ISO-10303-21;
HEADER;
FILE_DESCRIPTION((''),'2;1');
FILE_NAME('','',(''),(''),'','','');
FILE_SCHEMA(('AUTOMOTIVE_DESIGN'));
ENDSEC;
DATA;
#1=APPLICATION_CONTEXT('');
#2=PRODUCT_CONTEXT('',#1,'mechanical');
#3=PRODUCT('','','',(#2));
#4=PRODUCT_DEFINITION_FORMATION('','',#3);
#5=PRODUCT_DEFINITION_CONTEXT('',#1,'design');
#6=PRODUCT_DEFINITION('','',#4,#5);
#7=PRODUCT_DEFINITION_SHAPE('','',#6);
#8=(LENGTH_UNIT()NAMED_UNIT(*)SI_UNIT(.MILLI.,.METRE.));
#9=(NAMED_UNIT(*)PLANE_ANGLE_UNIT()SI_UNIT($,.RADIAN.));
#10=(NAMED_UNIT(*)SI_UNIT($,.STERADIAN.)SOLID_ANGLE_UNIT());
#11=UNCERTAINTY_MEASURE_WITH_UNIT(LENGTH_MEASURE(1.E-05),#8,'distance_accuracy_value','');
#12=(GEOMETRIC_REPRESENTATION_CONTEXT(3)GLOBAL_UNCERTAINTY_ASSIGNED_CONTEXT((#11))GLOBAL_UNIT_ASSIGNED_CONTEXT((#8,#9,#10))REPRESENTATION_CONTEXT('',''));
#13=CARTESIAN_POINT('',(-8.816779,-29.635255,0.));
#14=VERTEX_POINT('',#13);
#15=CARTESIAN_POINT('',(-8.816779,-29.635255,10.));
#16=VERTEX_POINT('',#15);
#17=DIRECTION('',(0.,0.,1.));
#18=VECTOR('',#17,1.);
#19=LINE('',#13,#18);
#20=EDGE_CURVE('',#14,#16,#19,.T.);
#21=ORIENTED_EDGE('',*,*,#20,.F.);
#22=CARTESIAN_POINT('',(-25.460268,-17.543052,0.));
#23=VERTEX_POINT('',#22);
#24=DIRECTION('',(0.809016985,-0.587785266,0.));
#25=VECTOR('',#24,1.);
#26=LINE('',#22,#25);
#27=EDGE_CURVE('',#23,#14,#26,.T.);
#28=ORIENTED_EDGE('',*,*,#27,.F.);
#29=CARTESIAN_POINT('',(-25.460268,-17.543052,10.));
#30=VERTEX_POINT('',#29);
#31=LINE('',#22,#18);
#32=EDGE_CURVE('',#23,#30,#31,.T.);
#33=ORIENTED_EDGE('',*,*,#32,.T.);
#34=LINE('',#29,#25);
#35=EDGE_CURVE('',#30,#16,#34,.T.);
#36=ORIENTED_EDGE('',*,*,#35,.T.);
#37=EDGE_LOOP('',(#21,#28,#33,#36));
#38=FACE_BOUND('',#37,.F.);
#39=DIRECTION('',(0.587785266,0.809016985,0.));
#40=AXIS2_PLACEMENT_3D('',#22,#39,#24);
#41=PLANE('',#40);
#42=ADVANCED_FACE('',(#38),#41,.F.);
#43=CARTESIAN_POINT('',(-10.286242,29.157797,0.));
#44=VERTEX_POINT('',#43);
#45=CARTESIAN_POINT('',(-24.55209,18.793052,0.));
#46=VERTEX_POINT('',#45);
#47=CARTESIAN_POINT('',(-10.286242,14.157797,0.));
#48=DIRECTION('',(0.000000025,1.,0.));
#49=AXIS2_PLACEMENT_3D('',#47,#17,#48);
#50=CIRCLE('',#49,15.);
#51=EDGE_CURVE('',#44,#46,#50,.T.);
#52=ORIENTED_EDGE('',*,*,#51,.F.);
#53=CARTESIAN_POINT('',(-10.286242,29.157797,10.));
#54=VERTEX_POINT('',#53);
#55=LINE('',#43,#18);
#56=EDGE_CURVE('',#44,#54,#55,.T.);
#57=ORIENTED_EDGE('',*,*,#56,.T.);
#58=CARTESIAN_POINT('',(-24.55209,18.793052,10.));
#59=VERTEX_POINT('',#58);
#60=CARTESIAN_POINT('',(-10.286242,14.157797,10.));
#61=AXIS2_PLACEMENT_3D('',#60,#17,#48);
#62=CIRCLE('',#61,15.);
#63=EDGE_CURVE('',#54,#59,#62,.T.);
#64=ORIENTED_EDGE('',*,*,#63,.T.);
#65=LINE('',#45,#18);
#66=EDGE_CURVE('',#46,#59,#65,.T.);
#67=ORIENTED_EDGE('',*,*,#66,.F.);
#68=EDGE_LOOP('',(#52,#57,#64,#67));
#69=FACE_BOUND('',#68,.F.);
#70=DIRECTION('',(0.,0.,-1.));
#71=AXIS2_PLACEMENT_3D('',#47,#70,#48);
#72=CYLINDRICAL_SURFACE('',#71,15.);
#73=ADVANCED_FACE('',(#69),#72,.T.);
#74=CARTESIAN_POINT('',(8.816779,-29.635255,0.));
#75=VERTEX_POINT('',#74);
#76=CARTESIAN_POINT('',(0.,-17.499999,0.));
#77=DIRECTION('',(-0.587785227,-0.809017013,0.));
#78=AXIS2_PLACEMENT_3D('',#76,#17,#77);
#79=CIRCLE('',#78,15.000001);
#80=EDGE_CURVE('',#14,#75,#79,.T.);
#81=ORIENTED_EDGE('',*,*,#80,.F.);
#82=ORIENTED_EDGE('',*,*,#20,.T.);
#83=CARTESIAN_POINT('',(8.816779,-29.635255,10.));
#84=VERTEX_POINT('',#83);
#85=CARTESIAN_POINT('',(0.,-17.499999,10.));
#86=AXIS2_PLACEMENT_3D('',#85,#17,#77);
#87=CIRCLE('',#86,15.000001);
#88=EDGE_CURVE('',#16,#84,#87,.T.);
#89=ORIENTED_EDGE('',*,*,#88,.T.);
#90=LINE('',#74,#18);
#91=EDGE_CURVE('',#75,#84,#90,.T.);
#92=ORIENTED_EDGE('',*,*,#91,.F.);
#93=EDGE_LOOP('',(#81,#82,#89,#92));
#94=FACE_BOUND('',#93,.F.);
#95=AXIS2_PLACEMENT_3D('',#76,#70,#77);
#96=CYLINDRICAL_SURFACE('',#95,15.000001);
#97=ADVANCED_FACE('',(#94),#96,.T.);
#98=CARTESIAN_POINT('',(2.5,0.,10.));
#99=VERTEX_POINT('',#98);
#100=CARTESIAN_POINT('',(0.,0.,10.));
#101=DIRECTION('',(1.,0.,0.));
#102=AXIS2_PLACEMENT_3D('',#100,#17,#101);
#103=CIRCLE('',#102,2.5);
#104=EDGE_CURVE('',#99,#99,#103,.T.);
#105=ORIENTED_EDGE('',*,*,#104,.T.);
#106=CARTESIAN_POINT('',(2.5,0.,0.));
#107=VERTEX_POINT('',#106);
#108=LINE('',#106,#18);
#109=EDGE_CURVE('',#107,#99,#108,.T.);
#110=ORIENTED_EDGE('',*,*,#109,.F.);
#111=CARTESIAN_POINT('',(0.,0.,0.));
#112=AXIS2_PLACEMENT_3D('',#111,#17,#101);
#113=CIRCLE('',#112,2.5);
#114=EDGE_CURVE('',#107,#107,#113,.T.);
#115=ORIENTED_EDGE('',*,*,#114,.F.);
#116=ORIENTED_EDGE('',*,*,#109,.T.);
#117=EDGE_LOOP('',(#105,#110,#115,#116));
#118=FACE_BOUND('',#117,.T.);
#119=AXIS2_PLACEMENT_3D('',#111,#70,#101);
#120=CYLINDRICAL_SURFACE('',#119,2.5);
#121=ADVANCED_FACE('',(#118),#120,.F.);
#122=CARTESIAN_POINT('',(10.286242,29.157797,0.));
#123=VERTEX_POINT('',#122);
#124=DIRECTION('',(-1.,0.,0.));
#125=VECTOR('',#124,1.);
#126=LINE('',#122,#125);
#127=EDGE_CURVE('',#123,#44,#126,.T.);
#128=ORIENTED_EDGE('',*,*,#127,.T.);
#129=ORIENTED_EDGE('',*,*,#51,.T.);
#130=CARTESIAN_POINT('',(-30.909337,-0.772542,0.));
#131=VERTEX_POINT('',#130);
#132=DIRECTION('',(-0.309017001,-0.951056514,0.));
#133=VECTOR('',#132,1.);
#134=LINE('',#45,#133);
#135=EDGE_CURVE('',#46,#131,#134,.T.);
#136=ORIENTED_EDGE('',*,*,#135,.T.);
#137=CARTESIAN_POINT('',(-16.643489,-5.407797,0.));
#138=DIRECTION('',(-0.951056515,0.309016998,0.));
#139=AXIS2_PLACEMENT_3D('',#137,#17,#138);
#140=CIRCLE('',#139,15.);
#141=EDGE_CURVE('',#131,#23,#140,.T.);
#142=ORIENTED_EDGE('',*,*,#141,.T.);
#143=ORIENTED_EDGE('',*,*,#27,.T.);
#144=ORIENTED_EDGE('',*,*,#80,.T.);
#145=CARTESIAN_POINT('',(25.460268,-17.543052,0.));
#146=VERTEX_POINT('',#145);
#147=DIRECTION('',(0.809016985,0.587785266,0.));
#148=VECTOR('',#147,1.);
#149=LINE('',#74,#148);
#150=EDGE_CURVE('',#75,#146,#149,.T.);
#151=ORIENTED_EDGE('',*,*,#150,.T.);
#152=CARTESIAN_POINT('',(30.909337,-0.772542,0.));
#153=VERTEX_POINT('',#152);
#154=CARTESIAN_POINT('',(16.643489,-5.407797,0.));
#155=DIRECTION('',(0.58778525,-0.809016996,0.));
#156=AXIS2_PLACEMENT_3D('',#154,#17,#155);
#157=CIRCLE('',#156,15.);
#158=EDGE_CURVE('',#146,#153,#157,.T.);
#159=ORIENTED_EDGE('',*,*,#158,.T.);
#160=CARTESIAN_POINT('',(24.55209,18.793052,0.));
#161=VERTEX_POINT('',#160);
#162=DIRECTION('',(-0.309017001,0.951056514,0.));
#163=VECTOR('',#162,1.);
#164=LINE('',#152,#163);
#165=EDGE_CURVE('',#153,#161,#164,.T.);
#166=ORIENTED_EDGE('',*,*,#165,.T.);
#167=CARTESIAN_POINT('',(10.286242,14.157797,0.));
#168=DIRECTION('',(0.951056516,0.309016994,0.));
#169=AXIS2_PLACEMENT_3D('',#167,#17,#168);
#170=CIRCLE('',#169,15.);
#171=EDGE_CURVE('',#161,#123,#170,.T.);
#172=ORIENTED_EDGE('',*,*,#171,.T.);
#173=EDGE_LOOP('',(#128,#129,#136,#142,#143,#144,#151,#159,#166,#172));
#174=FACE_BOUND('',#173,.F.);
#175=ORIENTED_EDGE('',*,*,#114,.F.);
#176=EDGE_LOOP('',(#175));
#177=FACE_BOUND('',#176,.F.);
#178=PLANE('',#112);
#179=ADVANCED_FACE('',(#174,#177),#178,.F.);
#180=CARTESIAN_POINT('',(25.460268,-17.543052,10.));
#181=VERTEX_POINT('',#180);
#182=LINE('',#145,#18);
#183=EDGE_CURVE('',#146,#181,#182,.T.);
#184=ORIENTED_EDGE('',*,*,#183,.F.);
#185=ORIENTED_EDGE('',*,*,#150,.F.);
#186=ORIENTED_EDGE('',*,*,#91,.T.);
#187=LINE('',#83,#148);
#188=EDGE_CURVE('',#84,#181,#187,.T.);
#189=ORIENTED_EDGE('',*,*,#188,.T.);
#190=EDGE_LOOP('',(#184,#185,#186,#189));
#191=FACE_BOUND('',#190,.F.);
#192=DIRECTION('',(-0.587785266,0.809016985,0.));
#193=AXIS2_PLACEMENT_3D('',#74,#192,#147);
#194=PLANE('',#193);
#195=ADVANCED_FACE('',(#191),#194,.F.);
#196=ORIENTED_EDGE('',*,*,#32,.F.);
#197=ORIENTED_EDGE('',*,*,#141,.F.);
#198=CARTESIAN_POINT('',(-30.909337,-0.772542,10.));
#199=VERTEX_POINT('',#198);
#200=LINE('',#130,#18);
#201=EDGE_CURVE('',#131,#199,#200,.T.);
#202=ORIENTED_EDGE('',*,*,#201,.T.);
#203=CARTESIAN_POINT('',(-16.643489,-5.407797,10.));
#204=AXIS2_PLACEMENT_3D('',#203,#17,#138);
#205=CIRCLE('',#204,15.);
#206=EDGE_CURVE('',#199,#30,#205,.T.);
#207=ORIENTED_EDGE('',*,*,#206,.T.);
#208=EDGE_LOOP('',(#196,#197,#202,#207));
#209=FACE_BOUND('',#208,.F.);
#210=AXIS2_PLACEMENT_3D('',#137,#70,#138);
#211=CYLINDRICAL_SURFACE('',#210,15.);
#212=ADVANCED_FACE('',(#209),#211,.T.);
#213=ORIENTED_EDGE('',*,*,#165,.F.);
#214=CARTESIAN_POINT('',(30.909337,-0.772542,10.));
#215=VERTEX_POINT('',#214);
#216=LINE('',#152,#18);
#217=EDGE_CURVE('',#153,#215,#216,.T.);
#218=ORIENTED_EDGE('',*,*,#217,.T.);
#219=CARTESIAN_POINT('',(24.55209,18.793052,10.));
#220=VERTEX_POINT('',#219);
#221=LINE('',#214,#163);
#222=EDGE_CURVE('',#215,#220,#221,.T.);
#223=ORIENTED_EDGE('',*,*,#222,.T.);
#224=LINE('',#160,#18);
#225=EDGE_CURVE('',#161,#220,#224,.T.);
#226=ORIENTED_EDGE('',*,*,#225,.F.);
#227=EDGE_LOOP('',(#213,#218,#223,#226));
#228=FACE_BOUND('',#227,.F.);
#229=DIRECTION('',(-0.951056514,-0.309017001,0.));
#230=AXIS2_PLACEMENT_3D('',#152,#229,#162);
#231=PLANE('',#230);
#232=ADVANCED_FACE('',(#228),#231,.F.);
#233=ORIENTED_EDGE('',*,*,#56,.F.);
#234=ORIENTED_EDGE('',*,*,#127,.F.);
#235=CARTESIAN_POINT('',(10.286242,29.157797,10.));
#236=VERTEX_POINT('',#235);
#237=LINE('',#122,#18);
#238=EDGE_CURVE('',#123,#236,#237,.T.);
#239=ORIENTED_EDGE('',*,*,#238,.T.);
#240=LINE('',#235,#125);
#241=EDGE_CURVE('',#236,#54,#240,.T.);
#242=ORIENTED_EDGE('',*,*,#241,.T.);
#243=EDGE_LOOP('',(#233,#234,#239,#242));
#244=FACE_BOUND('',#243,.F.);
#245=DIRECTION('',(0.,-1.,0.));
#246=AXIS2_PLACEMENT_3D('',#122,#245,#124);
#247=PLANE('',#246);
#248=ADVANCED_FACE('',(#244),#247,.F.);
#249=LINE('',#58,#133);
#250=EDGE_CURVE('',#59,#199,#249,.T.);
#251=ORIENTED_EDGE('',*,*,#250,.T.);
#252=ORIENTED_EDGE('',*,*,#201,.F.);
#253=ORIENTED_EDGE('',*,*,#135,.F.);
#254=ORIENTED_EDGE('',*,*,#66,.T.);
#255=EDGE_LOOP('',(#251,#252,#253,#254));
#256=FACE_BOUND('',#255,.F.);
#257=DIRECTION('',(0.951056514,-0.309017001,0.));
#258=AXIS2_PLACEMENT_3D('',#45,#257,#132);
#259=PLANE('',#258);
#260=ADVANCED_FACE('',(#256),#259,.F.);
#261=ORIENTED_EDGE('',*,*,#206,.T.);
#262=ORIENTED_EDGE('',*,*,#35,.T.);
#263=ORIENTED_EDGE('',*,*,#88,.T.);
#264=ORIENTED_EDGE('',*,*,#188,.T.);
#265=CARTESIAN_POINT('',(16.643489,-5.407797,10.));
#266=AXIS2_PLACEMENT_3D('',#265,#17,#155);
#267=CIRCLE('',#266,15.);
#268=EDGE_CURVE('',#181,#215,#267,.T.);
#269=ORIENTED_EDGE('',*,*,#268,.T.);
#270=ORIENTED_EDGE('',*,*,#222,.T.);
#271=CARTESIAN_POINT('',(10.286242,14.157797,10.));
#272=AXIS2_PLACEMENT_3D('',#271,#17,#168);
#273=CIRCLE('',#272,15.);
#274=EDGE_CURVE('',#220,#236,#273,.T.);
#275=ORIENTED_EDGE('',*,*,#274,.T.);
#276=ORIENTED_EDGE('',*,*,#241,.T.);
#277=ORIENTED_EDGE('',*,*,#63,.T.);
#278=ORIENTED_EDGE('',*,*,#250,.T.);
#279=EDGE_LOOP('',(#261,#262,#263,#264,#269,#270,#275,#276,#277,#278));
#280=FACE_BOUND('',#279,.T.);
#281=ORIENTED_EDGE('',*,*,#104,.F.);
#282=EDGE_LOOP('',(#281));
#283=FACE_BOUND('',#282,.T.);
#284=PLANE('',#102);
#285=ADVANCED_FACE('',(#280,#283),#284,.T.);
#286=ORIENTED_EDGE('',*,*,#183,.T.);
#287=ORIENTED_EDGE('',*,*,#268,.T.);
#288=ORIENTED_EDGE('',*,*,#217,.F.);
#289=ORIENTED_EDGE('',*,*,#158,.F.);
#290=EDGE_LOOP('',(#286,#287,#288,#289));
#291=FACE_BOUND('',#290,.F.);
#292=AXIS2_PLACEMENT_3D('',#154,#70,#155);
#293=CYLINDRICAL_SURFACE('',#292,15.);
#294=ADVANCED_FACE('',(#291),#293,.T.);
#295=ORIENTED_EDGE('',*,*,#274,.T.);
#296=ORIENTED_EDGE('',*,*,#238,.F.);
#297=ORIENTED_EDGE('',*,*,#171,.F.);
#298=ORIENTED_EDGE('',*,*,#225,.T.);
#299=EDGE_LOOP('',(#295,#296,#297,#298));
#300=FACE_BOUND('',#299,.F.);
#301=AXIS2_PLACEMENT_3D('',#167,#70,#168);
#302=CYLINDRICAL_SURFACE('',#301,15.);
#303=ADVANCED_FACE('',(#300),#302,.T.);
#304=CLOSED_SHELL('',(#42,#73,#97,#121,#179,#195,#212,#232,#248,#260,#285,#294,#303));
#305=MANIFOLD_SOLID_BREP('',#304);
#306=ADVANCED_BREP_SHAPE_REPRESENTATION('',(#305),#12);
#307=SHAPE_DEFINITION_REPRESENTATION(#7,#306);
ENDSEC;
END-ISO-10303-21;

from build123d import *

# Parameters (mm, degrees)
F0_R     = 2.5
F1_DEPTH = 10


with BuildPart() as f1:
    # F0 (on Top) → F1 (new body)
    with BuildSketch(Plane.XY):
        with BuildLine():
            Line((10.286242, 29.157797), (-10.286242, 29.157797))
            ThreePointArc((-10.286242, 29.157797), (-19.103021, 26.293052), (-24.55209, 18.793052))
            Line((-24.55209, 18.793052), (-30.909337, -0.772542))
            ThreePointArc((-30.909337, -0.772542), (-30.909337, -10.043052), (-25.460268, -17.543052))
            Line((-25.460268, -17.543052), (-8.816779, -29.635255))
            ThreePointArc((-8.816779, -29.635255), (0, -32.5), (8.816779, -29.635255))
            Line((8.816779, -29.635255), (25.460268, -17.543052))
            ThreePointArc((25.460268, -17.543052), (30.909337, -10.043052), (30.909337, -0.772542))
            Line((30.909337, -0.772542), (24.55209, 18.793052))
            ThreePointArc((24.55209, 18.793052), (19.103021, 26.293052), (10.286242, 29.157797))
        make_face()
        Circle(F0_R, mode=Mode.SUBTRACT)
    extrude(amount=F1_DEPTH)


solid = f1.part
